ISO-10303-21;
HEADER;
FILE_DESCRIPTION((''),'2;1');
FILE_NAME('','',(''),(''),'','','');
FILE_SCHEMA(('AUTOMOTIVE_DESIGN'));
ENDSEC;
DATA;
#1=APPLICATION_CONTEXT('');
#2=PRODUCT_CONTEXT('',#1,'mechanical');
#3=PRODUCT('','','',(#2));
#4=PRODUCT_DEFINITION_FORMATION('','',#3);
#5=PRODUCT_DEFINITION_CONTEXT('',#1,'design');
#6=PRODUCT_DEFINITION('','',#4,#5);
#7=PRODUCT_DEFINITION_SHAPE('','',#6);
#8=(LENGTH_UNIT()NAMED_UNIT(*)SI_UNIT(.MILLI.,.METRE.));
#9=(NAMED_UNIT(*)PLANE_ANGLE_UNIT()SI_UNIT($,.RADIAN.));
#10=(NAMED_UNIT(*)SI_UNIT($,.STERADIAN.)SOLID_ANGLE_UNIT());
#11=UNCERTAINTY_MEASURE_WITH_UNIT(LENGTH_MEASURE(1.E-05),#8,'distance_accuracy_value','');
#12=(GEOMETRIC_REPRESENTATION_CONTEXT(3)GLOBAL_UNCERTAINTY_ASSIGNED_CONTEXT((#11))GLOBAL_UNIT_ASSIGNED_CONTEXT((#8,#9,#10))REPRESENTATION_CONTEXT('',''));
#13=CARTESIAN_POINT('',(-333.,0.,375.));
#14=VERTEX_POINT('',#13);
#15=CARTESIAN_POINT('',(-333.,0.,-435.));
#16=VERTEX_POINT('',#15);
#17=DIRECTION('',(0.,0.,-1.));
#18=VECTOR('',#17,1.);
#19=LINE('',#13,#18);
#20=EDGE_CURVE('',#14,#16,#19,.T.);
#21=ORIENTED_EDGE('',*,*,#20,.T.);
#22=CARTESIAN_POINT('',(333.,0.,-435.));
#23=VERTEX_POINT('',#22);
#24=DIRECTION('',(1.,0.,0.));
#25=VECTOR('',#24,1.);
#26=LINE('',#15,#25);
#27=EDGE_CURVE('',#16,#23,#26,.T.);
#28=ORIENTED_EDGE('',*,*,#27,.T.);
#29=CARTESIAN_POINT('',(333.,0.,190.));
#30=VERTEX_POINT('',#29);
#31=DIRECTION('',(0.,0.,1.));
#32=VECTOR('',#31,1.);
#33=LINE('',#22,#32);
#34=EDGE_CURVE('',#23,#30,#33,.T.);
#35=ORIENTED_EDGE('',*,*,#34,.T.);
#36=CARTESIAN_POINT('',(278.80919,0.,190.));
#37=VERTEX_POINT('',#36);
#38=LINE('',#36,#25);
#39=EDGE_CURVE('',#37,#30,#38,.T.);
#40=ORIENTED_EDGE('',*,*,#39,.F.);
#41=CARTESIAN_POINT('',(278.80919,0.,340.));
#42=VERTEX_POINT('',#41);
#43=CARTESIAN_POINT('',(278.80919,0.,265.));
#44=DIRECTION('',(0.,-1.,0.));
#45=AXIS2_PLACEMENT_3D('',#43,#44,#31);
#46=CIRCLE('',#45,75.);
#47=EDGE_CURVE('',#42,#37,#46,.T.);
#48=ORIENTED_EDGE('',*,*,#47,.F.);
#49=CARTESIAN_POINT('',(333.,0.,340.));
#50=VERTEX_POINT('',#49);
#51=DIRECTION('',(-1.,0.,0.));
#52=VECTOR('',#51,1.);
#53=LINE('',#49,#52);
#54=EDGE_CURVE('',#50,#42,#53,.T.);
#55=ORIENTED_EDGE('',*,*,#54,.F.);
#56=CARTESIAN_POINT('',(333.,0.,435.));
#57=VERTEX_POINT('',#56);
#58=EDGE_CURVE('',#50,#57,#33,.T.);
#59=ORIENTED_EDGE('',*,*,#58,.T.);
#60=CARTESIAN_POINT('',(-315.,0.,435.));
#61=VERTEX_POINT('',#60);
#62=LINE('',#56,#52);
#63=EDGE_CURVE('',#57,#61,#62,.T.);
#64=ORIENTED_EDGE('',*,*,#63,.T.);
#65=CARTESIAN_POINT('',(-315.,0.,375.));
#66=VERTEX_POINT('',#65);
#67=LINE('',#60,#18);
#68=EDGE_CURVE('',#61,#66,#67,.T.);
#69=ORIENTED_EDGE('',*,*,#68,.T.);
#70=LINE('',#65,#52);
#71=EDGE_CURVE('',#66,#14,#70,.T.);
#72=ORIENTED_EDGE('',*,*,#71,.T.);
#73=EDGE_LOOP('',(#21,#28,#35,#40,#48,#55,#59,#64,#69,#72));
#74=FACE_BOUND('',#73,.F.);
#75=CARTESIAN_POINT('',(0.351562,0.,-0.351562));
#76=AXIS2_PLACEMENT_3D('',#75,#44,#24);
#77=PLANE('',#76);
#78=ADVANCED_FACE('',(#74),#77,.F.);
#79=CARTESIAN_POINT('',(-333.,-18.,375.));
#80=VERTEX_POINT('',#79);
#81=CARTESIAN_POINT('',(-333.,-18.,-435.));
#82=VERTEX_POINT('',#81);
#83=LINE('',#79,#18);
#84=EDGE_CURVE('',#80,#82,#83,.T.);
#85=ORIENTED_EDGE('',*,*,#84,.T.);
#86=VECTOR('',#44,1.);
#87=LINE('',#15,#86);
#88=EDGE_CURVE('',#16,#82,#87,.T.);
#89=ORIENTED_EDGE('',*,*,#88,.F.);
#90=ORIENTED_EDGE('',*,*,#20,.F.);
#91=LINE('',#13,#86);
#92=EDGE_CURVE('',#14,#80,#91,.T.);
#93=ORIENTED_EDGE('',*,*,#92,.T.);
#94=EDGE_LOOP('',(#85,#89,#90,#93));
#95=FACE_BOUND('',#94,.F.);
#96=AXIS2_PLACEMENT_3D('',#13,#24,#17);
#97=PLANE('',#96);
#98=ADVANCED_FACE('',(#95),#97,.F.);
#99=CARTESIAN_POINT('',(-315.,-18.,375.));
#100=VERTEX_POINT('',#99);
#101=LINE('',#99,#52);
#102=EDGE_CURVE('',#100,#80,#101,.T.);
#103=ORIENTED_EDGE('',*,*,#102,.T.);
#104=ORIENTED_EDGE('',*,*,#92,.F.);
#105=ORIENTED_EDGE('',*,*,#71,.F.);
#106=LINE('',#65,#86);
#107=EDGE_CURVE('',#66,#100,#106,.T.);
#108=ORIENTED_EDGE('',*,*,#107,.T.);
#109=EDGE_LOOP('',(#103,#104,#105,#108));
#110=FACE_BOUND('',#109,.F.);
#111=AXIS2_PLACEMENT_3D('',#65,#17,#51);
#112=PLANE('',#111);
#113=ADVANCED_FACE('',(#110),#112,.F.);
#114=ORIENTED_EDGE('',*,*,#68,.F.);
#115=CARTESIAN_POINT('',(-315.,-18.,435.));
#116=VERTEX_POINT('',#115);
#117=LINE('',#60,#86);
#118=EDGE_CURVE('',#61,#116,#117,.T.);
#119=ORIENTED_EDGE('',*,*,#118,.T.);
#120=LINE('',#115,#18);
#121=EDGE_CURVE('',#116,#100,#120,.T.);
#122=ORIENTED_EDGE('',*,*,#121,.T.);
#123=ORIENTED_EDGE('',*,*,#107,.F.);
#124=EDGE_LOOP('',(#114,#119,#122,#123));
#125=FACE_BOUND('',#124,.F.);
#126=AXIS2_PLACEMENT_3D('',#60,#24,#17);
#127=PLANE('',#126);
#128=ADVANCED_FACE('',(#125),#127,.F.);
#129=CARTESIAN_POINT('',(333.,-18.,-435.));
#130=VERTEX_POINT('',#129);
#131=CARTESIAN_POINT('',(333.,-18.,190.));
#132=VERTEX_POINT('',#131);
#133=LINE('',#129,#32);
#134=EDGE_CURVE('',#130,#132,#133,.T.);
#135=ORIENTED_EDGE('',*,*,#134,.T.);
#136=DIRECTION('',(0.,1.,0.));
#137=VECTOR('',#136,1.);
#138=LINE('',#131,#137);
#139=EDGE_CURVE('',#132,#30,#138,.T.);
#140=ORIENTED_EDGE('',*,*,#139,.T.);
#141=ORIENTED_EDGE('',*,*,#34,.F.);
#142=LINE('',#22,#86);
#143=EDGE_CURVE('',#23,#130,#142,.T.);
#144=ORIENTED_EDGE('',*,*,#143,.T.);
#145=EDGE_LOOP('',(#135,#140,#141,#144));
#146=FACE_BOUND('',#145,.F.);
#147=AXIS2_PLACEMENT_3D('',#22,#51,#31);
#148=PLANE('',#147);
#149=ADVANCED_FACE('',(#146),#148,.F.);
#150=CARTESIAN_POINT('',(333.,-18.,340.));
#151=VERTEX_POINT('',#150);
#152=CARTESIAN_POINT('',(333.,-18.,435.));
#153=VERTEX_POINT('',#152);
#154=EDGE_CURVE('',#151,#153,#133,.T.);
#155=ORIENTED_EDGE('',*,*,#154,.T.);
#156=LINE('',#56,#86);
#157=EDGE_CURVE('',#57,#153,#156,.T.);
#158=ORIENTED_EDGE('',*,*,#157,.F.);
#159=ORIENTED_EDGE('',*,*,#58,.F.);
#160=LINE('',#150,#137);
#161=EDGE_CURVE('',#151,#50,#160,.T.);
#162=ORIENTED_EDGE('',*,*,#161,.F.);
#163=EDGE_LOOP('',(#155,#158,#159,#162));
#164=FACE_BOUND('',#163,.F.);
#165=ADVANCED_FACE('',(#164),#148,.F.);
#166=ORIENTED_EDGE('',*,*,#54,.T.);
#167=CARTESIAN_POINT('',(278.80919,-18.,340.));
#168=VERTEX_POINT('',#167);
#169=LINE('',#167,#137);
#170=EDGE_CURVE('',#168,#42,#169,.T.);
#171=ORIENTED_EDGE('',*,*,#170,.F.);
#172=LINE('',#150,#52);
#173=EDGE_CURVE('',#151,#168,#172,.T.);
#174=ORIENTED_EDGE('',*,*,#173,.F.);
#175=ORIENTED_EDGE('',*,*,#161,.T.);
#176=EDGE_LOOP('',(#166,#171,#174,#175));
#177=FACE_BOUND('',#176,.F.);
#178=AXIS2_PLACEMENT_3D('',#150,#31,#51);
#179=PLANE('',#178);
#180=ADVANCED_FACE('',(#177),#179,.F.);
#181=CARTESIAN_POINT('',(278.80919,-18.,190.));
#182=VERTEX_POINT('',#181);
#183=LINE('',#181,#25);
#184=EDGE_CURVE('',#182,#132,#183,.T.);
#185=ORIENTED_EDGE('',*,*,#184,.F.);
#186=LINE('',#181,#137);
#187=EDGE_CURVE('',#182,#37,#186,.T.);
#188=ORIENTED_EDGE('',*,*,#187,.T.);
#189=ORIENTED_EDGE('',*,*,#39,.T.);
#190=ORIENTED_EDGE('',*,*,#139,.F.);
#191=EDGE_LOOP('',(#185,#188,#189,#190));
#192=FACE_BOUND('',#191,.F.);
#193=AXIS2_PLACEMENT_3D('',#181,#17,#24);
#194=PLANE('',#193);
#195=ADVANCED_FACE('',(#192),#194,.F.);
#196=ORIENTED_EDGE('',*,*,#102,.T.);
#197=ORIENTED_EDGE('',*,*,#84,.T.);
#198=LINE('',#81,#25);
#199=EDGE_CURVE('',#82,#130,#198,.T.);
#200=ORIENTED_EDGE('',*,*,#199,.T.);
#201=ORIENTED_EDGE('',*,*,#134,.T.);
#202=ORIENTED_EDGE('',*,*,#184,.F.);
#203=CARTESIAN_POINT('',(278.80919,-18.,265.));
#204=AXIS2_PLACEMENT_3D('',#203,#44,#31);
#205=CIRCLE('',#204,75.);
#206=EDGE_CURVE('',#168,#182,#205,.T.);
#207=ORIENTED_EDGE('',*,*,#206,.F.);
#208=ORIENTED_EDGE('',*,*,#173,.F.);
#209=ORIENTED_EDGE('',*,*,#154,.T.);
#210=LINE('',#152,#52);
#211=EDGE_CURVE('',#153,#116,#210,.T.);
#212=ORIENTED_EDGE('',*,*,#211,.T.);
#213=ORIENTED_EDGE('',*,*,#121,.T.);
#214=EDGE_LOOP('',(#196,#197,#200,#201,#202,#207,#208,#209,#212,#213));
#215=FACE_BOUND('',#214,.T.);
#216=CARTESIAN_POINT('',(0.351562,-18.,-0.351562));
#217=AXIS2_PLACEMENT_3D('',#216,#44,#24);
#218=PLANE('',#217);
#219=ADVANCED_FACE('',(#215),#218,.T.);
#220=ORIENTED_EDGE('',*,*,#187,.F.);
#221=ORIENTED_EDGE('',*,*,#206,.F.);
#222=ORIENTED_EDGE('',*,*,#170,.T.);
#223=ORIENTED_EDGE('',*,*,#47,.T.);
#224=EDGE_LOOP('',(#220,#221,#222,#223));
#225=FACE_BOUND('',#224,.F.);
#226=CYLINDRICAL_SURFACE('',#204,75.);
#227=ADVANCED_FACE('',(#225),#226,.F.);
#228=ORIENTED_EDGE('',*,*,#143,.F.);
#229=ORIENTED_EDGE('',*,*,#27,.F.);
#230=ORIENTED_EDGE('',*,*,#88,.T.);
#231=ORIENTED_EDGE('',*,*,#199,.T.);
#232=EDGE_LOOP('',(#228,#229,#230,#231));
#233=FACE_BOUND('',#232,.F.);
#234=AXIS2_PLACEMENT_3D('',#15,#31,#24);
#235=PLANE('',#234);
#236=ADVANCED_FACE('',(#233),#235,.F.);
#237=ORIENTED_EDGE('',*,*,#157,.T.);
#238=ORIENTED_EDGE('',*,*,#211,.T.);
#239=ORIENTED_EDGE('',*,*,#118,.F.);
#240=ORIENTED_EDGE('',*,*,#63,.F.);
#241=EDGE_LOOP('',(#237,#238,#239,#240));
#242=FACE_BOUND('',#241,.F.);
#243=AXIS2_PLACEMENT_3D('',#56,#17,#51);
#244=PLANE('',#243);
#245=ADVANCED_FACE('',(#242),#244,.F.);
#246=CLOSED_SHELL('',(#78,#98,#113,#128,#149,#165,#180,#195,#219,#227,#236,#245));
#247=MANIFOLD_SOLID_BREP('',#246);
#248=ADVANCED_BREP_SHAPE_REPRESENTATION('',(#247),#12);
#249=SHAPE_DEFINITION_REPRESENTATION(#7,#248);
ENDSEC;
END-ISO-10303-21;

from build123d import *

# Parameters (mm, degrees)
F1_DEPTH = 18
F3_DEPTH = 18


with BuildPart() as f1:
    # F0 (on Front) → F1 (new body)
    with BuildSketch(Plane.XZ):
        Polygon((333, -435), (333, 435), (-315, 435), (-315, 375), (-333, 375), (-333, -435), align=None)
    extrude(amount=F1_DEPTH)

    # F2 (on face) → F3 (cut)
    with BuildSketch(Plane.XZ.offset(18)):
        with BuildLine():
            Line((333, 340), (278.80919, 340))
            ThreePointArc((278.80919, 340), (203.80919, 265), (278.80919, 190))
            Line((278.80919, 190), (333, 190))
            Line((333, 190), (333, 340))
        make_face()
    extrude(amount=-F3_DEPTH, mode=Mode.SUBTRACT)


solid = f1.part
